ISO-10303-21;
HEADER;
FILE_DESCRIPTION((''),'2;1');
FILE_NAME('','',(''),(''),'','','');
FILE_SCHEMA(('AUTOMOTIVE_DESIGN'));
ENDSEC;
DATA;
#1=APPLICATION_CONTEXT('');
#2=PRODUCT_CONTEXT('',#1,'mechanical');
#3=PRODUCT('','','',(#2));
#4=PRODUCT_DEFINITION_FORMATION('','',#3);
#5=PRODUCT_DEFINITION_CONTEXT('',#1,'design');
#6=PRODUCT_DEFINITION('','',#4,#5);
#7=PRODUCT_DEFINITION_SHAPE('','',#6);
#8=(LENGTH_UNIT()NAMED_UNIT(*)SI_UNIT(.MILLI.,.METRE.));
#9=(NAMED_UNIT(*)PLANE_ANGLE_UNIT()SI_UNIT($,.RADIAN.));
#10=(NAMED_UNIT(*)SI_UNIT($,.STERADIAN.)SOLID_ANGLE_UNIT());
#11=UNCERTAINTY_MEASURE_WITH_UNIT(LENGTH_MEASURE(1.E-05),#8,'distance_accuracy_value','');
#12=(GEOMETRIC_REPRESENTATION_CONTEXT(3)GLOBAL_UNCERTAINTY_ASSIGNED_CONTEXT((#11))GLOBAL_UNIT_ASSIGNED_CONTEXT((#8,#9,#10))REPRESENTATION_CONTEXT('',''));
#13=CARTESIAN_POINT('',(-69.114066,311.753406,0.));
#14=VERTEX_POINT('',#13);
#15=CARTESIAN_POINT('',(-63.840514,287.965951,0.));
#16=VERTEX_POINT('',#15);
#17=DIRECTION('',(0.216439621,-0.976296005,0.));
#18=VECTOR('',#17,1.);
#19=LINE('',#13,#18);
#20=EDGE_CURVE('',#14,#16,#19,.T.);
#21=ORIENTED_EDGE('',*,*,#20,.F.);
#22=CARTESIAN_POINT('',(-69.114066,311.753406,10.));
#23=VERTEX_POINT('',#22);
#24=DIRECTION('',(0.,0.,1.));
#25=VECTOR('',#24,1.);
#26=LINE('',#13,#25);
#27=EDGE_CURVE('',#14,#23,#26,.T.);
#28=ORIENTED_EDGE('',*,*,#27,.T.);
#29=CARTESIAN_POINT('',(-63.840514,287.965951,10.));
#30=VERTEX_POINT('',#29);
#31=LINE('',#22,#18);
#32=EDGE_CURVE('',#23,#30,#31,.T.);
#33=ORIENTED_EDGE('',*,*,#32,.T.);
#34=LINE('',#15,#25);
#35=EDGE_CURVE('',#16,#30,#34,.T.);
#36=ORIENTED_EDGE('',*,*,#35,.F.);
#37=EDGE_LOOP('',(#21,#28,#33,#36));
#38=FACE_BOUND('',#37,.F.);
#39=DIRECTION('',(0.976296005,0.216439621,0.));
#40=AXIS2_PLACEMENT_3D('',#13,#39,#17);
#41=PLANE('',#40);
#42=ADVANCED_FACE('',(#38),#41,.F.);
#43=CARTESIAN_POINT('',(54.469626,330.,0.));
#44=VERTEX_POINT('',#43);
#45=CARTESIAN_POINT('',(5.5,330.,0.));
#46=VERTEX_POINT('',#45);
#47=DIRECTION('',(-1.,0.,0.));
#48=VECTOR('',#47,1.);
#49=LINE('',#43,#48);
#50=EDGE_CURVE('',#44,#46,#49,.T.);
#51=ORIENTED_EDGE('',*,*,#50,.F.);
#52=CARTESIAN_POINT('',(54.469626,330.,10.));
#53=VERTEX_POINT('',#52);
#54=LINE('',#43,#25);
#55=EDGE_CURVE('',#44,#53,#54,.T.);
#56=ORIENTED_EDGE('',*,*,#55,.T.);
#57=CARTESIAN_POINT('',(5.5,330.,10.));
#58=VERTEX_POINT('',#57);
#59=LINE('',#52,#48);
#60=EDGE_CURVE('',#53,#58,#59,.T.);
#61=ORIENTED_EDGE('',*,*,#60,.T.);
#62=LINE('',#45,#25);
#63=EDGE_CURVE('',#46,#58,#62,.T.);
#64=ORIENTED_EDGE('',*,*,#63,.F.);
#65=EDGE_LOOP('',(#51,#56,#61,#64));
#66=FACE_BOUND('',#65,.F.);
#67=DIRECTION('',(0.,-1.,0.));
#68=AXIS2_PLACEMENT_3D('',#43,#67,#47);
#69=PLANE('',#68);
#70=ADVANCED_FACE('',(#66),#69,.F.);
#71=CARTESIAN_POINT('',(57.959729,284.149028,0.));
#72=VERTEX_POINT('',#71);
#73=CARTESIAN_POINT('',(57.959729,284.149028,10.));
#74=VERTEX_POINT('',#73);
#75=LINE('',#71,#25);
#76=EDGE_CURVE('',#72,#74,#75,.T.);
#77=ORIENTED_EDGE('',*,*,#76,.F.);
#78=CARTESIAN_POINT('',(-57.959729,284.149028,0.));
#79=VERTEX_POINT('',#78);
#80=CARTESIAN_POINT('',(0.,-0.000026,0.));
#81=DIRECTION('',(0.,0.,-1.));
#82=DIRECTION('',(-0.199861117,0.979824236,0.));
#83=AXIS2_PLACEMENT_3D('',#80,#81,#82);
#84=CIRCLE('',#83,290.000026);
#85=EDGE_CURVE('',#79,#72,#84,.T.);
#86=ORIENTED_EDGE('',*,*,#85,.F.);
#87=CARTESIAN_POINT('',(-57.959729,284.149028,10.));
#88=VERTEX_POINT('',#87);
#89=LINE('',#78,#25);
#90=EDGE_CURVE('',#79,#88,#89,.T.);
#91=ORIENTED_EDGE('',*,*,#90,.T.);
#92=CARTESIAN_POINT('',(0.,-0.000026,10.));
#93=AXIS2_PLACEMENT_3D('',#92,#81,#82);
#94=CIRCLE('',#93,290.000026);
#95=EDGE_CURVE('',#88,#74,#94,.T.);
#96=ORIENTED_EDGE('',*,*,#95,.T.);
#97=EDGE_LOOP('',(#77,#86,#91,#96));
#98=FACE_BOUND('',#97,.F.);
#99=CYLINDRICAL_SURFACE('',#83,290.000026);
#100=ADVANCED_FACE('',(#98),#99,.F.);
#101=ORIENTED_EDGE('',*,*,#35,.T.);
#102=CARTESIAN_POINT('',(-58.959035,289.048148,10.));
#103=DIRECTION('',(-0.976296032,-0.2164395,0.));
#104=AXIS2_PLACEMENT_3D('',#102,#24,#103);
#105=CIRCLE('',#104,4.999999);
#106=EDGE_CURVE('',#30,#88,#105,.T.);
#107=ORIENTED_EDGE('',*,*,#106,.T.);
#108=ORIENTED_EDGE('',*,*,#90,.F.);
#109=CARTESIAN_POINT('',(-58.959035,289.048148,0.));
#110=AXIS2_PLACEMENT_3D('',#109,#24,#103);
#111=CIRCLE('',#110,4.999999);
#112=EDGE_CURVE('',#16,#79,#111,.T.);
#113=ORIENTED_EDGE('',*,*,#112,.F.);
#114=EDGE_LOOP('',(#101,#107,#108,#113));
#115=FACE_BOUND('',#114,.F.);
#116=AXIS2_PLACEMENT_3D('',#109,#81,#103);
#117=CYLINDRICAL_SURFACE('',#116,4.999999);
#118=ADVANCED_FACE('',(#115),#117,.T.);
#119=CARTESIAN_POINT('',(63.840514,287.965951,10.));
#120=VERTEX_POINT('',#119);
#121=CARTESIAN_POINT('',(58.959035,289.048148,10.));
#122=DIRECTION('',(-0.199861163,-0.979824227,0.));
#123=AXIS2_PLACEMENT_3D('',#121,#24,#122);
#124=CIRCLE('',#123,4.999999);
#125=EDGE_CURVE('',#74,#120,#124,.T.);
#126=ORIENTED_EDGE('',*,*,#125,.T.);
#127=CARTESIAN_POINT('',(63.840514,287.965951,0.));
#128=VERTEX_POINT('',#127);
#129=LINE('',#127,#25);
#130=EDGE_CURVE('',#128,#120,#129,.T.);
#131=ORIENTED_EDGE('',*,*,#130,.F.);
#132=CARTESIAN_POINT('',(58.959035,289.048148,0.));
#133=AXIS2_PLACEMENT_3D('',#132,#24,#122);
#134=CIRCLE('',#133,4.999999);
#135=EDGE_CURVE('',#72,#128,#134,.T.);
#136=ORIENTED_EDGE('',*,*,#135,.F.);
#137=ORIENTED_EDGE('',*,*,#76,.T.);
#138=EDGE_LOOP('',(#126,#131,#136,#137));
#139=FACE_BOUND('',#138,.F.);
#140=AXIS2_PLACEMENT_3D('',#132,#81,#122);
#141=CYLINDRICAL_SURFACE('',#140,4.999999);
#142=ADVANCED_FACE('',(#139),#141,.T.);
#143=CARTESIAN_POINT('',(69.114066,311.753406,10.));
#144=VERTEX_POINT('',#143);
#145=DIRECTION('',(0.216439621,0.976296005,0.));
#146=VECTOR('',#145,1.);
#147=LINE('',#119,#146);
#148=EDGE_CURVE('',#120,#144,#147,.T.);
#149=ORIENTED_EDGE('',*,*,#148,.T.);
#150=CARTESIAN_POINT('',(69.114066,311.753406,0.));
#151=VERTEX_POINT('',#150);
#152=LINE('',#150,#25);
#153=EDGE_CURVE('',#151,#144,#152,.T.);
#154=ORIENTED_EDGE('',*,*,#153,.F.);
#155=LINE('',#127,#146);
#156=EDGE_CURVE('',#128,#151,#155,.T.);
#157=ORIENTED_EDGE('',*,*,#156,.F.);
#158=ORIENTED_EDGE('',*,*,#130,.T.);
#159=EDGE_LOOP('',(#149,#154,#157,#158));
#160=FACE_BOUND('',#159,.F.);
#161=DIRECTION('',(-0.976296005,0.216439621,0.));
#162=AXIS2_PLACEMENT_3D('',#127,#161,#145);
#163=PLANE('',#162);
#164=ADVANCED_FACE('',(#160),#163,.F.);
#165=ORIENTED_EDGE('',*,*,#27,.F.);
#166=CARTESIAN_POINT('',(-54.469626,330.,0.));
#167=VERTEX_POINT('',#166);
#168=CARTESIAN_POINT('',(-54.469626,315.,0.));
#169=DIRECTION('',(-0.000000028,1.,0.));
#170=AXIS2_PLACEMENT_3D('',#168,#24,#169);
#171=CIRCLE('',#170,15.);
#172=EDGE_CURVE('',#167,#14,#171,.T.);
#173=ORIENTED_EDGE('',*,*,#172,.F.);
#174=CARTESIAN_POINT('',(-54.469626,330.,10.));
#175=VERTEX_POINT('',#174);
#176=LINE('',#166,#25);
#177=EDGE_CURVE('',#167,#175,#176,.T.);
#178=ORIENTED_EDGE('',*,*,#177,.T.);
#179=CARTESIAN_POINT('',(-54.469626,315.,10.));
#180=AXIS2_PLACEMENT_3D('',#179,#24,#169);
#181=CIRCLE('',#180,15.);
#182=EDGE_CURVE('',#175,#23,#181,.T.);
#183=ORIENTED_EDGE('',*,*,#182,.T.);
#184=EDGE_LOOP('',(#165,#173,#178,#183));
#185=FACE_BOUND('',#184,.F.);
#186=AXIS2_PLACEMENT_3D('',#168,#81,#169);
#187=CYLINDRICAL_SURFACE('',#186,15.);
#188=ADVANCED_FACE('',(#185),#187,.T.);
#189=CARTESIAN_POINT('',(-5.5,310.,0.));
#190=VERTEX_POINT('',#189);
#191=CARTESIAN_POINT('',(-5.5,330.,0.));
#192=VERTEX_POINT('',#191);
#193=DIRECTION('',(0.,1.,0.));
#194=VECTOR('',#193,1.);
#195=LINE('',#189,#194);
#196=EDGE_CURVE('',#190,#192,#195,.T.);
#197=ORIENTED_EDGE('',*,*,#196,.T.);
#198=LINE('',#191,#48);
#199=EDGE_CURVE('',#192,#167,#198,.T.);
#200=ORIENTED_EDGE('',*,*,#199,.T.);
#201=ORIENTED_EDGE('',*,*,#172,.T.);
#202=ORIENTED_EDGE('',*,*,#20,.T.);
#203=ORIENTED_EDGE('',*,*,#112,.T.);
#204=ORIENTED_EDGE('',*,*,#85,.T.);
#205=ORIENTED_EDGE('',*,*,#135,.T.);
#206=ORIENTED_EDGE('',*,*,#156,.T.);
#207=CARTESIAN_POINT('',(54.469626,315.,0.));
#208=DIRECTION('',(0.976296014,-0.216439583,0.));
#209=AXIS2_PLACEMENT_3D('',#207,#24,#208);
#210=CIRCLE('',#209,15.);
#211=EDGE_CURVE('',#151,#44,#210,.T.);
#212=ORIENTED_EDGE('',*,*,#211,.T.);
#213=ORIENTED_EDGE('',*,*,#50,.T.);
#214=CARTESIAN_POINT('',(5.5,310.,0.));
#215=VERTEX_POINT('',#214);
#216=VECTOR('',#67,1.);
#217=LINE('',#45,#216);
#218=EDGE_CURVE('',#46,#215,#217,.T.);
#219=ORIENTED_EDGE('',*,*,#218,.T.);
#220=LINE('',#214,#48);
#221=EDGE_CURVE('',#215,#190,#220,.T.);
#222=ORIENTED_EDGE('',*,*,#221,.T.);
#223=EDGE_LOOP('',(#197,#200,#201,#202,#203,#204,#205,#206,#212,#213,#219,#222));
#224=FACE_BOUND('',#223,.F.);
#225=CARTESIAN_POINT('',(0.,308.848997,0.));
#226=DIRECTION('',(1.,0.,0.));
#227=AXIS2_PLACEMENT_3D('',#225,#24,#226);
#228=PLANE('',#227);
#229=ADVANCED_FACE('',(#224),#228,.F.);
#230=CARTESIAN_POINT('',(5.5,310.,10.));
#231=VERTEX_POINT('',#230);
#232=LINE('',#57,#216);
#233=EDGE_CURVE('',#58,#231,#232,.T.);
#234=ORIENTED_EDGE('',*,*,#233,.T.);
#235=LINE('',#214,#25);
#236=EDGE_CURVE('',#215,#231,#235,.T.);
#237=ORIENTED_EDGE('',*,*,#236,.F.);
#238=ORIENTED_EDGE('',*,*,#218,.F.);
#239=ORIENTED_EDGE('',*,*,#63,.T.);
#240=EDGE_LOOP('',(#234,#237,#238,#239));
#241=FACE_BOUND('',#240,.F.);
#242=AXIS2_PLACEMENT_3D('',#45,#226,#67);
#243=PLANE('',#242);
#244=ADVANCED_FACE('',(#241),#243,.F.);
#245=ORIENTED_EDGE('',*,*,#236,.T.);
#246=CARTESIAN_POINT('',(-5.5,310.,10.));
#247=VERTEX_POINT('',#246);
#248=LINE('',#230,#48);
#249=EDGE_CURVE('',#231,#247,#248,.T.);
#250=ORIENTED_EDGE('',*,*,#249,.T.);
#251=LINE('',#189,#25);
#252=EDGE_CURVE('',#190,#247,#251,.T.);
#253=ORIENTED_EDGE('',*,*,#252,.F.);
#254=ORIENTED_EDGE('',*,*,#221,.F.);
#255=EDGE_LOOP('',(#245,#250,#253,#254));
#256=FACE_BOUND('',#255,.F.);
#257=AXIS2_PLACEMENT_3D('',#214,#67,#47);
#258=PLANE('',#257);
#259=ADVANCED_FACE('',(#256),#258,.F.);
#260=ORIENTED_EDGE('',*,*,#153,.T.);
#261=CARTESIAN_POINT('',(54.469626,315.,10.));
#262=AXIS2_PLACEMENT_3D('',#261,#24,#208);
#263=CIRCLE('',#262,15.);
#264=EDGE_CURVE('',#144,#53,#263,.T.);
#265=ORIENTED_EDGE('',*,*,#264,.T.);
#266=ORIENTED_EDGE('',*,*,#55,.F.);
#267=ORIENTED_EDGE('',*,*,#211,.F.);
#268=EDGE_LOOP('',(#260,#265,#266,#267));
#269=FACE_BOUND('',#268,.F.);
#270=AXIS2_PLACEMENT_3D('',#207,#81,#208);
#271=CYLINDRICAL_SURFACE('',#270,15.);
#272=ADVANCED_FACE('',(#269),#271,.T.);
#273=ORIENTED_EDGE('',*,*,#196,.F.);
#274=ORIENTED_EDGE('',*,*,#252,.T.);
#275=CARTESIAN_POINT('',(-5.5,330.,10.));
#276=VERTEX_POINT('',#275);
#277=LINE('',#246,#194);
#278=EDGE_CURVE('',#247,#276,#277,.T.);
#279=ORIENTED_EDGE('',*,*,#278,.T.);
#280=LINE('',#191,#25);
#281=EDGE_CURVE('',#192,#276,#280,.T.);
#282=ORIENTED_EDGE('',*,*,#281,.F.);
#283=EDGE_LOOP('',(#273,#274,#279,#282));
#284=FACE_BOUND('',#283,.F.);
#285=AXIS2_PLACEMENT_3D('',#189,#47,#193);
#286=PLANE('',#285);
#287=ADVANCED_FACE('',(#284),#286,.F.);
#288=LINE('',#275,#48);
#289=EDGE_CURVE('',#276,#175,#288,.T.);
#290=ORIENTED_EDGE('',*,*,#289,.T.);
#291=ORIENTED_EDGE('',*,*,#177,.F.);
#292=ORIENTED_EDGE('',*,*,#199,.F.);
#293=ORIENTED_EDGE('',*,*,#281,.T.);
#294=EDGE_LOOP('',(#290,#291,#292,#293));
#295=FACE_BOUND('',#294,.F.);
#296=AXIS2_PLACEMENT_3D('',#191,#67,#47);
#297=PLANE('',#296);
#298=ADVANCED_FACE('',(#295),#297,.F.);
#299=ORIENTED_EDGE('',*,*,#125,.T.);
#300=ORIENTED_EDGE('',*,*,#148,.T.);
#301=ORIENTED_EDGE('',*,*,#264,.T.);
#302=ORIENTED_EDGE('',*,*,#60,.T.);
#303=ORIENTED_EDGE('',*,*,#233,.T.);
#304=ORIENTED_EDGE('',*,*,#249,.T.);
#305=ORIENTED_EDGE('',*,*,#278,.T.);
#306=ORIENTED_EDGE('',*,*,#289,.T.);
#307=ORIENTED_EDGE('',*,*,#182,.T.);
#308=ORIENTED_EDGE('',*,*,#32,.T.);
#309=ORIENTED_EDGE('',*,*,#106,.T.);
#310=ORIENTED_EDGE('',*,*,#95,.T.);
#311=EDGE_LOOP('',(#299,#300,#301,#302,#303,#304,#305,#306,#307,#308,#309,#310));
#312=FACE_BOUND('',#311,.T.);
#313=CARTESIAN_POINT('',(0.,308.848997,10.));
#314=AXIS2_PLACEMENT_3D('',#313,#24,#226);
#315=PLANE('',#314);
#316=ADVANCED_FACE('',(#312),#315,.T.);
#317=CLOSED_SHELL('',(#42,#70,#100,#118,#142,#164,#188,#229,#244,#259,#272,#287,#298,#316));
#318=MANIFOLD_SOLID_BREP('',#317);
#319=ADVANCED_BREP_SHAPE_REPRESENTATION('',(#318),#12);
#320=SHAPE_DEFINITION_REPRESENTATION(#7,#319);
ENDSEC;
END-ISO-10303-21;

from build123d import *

# Parameters (mm, degrees)
F1_DEPTH = 10


with BuildPart() as f1:
    # F0 (on Top) → F1 (new body)
    with BuildSketch(Plane.XY):
        with BuildLine():
            ThreePointArc((-57.959729, 284.149028), (0, 290), (57.959729, 284.149028))
            ThreePointArc((57.959729, 284.149028), (61.681174, 284.854111), (63.840514, 287.965951))
            Line((63.840514, 287.965951), (69.114066, 311.753406))
            ThreePointArc((69.114066, 311.753406), (66.167893, 324.388852), (54.469626, 330))
            Line((54.469626, 330), (5.5, 330))
            Line((5.5, 330), (5.5, 310))
            Line((5.5, 310), (-5.5, 310))
            Line((-5.5, 310), (-5.5, 330))
            Line((-5.5, 330), (-54.469626, 330))
            ThreePointArc((-54.469626, 330), (-66.167893, 324.388852), (-69.114066, 311.753406))
            Line((-69.114066, 311.753406), (-63.840514, 287.965951))
            ThreePointArc((-63.840514, 287.965951), (-61.681174, 284.854111), (-57.959729, 284.149028))
        make_face()
    extrude(amount=F1_DEPTH)


solid = f1.part
